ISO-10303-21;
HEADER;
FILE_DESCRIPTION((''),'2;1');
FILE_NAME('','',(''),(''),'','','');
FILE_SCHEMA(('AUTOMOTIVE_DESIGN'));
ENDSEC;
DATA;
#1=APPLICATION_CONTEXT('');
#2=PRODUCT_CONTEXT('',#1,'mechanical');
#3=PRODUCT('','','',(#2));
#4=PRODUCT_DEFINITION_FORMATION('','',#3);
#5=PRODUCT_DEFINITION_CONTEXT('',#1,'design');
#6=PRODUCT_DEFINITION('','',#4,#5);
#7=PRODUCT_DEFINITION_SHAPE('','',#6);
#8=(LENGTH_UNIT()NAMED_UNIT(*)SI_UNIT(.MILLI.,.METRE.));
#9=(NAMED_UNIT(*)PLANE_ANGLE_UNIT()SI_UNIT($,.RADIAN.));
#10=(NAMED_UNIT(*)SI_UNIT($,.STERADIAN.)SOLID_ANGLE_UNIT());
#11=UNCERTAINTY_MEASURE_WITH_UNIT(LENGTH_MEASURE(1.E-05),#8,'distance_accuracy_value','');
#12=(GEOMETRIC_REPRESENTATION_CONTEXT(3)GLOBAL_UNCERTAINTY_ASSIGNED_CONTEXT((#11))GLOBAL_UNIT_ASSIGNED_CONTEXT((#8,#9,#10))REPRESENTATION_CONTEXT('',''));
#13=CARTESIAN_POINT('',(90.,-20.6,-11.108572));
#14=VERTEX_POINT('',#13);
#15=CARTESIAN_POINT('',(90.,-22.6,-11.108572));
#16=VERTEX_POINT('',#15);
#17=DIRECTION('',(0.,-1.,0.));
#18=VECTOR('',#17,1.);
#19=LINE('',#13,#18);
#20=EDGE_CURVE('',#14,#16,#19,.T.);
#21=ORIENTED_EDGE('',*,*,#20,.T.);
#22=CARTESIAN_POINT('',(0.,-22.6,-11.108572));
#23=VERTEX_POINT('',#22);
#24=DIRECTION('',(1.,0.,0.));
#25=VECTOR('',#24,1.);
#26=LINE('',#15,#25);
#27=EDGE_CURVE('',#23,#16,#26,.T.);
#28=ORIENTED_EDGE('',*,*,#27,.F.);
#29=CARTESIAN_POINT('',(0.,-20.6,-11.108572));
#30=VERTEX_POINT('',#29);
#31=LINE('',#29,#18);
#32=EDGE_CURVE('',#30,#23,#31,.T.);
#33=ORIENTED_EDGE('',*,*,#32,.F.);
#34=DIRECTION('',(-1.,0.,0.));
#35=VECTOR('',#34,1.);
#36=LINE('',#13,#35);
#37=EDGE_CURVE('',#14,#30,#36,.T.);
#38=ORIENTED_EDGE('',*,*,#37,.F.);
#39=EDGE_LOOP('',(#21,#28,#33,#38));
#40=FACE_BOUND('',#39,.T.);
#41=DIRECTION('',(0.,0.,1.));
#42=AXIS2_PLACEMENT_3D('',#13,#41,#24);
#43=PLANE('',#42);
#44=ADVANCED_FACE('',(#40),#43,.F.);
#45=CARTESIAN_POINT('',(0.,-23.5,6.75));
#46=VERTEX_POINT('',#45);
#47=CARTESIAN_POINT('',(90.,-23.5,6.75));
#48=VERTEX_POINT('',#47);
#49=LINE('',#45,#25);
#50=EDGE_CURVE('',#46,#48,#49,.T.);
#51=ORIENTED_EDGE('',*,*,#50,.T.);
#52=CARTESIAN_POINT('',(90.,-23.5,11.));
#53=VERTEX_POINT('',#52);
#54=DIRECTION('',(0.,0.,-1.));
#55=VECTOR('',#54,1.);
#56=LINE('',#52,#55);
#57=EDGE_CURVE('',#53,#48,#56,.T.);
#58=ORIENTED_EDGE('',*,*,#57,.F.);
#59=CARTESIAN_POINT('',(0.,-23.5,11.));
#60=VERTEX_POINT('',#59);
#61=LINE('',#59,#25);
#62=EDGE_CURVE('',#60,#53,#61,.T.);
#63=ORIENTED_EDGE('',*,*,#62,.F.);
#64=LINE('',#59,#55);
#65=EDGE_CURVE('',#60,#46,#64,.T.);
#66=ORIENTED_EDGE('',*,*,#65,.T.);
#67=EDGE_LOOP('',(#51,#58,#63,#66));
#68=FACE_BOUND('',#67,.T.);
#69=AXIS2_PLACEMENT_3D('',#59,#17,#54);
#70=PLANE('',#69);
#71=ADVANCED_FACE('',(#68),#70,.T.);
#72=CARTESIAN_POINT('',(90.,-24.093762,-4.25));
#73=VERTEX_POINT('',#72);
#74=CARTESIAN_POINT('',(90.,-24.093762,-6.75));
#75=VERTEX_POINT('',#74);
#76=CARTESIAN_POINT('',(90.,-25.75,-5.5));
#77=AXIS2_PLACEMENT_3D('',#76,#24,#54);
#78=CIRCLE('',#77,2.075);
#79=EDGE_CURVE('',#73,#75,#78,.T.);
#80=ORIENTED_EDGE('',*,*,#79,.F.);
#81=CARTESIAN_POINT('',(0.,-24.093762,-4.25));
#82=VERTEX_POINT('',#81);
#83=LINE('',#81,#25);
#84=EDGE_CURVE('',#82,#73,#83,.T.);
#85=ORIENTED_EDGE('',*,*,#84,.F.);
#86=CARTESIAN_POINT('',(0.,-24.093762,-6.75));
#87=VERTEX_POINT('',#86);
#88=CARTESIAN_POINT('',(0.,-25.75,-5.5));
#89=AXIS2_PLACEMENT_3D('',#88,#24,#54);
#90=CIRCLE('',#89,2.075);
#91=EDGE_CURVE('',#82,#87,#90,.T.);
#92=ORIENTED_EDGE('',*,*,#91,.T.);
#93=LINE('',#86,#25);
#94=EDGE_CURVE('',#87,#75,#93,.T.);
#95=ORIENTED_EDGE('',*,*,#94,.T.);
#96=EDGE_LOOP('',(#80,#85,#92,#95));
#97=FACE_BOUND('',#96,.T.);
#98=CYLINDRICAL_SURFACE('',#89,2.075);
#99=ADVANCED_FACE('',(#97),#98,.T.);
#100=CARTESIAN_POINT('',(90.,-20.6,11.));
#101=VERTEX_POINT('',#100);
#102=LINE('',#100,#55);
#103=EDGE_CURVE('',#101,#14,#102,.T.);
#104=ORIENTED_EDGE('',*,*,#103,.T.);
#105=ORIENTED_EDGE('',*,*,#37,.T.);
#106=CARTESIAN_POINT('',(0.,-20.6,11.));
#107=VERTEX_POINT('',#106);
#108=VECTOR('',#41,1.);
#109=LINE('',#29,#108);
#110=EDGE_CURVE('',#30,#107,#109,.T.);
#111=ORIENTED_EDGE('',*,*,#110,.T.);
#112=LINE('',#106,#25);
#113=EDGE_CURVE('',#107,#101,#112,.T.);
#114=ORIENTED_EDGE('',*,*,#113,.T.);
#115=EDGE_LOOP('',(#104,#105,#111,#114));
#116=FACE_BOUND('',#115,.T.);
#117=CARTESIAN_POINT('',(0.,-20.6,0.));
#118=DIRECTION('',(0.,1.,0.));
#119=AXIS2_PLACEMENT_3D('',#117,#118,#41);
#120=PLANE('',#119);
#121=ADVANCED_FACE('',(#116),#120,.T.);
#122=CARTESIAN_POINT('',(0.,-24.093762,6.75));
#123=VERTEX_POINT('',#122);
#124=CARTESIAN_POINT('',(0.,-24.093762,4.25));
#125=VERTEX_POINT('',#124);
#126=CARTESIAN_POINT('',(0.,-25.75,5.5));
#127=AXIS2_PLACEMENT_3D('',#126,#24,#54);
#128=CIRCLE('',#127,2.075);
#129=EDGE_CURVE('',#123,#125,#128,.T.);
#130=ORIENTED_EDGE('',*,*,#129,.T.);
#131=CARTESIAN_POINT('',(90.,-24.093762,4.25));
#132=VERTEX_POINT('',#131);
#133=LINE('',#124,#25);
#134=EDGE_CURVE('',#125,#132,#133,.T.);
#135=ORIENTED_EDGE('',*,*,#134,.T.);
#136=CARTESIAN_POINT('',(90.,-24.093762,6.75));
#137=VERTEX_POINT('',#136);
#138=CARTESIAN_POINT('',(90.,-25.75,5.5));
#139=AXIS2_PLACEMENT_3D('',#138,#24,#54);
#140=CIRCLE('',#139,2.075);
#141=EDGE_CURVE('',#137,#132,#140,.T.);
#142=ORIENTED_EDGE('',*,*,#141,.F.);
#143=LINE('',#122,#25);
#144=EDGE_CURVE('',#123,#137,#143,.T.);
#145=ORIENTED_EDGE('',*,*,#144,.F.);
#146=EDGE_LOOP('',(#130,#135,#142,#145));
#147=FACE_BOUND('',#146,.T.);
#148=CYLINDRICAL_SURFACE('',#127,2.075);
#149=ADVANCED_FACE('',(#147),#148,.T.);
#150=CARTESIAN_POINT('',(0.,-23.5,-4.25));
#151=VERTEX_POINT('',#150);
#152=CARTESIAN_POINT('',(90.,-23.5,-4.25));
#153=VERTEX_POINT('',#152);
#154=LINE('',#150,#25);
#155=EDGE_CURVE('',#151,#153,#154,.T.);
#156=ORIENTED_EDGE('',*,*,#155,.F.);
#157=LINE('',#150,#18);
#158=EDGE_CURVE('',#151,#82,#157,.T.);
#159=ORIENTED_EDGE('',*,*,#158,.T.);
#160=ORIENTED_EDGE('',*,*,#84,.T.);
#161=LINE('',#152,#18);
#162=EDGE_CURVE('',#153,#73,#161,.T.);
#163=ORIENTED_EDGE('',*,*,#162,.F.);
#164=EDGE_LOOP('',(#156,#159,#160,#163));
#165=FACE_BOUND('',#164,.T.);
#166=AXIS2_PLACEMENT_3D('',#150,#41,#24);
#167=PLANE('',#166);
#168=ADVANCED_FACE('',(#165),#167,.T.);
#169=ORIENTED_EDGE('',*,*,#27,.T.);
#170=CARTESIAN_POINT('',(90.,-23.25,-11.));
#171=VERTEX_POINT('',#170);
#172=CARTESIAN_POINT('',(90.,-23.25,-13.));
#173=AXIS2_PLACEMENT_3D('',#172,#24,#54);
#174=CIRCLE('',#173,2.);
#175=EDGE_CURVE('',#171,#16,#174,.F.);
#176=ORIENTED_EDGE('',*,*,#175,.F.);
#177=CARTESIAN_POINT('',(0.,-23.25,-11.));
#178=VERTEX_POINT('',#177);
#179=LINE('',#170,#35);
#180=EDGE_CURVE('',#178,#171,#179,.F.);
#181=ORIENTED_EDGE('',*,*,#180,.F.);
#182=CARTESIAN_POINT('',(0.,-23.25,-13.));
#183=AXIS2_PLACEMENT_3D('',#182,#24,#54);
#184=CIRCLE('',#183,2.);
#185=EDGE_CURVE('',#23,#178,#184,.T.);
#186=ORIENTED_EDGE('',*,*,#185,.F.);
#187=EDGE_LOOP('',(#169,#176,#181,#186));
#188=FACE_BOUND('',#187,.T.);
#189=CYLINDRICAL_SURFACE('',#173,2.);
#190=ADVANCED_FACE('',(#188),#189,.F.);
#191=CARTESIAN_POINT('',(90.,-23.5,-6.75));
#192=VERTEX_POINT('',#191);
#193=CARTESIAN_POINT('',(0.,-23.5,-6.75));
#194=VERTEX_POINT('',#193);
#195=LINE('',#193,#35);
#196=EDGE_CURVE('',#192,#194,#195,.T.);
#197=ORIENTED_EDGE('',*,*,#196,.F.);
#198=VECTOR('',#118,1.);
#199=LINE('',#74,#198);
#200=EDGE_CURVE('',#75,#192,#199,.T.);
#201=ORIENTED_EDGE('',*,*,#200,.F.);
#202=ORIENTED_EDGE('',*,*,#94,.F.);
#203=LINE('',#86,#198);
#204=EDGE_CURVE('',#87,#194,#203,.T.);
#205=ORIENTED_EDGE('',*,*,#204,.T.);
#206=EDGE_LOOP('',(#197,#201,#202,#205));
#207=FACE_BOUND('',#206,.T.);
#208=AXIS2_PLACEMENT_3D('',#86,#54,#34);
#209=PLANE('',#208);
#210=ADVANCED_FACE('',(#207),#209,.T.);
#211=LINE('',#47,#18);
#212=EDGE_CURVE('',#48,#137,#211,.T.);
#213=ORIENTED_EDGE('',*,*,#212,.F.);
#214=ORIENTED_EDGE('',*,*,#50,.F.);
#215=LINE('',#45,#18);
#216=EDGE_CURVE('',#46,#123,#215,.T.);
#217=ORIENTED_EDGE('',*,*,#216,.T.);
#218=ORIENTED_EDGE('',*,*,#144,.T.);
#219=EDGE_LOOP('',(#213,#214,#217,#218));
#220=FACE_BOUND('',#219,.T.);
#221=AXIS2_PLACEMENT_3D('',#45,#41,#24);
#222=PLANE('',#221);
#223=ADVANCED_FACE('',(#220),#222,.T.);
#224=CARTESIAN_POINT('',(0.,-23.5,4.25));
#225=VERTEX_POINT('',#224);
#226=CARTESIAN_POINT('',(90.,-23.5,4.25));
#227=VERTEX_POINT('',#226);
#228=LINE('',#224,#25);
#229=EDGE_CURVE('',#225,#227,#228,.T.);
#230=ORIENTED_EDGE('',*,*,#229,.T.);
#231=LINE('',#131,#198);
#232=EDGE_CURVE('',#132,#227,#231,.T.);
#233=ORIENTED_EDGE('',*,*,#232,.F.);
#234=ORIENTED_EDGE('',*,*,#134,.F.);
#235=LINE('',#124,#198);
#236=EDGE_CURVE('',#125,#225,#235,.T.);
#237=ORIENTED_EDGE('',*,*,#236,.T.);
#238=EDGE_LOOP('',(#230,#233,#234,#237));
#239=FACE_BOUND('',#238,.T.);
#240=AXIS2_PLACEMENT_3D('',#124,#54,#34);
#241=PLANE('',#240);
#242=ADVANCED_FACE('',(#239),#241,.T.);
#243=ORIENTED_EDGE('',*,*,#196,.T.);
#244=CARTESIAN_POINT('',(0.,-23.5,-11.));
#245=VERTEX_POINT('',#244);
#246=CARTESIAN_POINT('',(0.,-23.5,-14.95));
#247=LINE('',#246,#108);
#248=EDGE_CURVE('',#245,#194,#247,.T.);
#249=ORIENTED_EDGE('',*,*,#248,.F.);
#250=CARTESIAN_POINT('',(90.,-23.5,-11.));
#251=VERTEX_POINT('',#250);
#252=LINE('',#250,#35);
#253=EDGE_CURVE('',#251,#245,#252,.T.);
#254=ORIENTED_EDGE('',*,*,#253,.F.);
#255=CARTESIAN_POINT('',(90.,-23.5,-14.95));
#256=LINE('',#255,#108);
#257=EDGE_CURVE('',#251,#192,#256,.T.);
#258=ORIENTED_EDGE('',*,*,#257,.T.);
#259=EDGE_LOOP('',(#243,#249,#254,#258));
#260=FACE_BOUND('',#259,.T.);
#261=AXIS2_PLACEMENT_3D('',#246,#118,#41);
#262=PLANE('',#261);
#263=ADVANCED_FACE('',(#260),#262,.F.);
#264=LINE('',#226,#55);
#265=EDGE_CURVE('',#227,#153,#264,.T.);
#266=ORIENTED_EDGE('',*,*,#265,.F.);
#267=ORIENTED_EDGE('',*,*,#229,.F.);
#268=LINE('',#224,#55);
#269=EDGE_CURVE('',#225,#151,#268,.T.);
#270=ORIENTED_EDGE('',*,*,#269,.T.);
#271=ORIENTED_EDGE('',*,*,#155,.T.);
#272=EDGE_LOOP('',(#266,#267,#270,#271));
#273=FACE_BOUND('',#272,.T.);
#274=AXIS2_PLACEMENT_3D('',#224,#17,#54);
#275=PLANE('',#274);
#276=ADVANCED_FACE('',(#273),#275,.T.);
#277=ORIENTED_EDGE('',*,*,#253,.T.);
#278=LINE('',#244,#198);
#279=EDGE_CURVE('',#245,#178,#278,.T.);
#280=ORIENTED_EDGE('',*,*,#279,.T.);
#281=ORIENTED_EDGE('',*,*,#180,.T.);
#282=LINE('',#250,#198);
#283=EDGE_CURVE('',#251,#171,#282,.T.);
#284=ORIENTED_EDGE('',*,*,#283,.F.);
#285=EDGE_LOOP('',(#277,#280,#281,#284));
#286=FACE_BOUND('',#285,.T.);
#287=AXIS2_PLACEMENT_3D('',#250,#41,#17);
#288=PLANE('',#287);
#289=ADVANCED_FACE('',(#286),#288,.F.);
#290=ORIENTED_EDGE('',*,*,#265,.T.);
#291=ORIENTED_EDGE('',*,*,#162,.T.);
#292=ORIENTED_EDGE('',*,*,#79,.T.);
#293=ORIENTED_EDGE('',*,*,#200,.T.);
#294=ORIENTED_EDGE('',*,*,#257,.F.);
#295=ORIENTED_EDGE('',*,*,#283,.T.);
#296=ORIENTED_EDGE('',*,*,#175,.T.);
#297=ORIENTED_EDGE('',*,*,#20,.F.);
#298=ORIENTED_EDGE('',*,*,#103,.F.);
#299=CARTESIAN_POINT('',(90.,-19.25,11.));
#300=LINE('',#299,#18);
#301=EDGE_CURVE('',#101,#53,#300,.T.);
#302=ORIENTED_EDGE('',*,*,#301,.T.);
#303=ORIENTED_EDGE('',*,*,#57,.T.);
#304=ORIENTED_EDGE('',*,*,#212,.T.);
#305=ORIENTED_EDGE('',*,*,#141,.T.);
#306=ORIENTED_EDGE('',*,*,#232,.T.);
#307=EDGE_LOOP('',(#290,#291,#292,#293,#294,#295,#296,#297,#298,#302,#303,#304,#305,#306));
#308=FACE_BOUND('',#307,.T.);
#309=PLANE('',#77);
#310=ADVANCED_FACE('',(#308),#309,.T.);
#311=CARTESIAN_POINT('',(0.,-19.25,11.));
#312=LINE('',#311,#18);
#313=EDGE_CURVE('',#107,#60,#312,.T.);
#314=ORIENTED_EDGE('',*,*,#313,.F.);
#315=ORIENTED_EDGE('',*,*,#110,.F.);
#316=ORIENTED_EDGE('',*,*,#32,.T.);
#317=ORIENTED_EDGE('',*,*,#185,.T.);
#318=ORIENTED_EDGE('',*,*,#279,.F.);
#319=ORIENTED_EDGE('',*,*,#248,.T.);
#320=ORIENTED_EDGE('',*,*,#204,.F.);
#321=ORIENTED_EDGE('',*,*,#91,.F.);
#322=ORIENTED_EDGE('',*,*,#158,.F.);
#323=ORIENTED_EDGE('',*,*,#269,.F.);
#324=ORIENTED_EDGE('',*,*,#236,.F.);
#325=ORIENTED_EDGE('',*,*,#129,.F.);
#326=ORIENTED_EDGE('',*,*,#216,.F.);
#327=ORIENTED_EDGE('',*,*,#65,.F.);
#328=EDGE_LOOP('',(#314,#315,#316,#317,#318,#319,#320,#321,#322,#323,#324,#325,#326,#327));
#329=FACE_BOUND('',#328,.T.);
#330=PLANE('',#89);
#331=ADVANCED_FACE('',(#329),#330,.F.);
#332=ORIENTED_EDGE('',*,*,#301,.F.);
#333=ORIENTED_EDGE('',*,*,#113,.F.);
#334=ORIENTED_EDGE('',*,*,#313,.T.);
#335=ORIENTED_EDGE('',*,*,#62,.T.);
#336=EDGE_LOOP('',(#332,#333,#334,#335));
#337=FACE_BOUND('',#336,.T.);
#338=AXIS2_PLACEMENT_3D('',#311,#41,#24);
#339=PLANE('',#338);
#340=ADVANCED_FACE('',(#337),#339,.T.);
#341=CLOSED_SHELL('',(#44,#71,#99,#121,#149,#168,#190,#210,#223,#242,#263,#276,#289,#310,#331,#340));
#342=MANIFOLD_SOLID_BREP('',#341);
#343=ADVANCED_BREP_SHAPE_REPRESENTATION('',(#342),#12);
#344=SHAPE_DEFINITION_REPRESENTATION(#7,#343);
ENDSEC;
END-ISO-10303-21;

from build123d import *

# Parameters (mm, degrees)
EXTRUDE_1_DEPTH             = 90
SKETCH_2_W                  = 90
SKETCH_2_H                  = 17.75
EXTRUDE_2_DEPTH             = 8.2
SKETCH_3_W                  = 90
SKETCH_3_H                  = 50.95
EXTRUDE_3_DEPTH             = 8.2
SKETCH_4_W                  = 3.95
SKETCH_4_H                  = 29.5
CUT_EXTRUDE_1_DEPTH         = 96.44153315
SKETCH_5_W                  = 3.95
SKETCH_5_H                  = 6.2
CUT_EXTRUDE_2_DEPTH         = 96.44153315
SKETCH_6_W                  = 2.25
SKETCH_6_H                  = 3.95
CUT_EXTRUDE_3_DEPTH         = 96.44153315
SKETCH_7_W                  = 4.5
SKETCH_7_H                  = 3.95
CUT_EXTRUDE_4_DEPTH         = 96.44153315
SKETCH_8_W                  = 2.25
SKETCH_8_H                  = 3.95
CUT_EXTRUDE_5_DEPTH         = 96.44153315
SKETCH_9_W                  = 3.95
SKETCH_9_H                  = 2.25
CUT_EXTRUDE_6_DEPTH         = 96.44153315
SKETCH_10_W                 = 20.2
SKETCH_10_H                 = 45.2
CUT_EXTRUDE_7_DEPTH         = 86
HOLE_WIZARD_2_5_2_5_1_D     = 2.5
HOLE_WIZARD_4_5_4_5_1_D     = 4.5
HOLE_WIZARD_8_3_8_3_1_D     = 8.3
HOLE_WIZARD_8_3_8_3_1_DEPTH = 3.2
FILLET_1_R                  = 2
FILLET_2_R                  = 2
EXTRUDE_START               = -90
SKETCH_17_R                 = 1.25
EXTRUDE_4_DEPTH             = 90
CUT_EXTRUDE_START           = -100
SKETCH_18_R                 = 4.15
CUT_EXTRUDE_8_DEPTH         = 100
CUT_EXTRUDE_9_DEPTH         = 106
SKETCH_20_W                 = 90
SKETCH_20_H                 = 22.108571968
EXTRUDE_5_DEPTH             = 2


with BuildPart() as part:
    # Эскиз1 → Бобышка-Вытянуть1 (new body)
    with BuildSketch(Plane(origin=(90, 0, 0), x_dir=(0, 0, -1), z_dir=(1, 0, 0))):
        with BuildLine():
            Line((6.75, -24.093761792), (6.75, 19.25))
            Line((6.75, 19.25), (-11.593761792, 19.25))
            ThreePointArc((-11.593761792, 19.25), (-15.325, 18), (-11.593761792, 16.75))
            Line((-11.593761792, 16.75), (-11, 16.75))
            Line((-11, 16.75), (-11, -16.75))
            Line((-11, -16.75), (-11.593761792, -16.75))
            ThreePointArc((-11.593761792, -16.75), (-15.325, -18), (-11.593761792, -19.25))
            Line((-11.593761792, -19.25), (-11, -19.25))
            Line((-11, -19.25), (-11, -23.5))
            Line((-11, -23.5), (-6.75, -23.5))
            Line((-6.75, -23.5), (-6.75, -24.093761792))
            ThreePointArc((-6.75, -24.093761792), (-5.5, -27.825), (-4.25, -24.093761792))
            Line((-4.25, -24.093761792), (-4.25, -23.5))
            Line((-4.25, -23.5), (4.25, -23.5))
            Line((4.25, -23.5), (4.25, -24.093761792))
            ThreePointArc((4.25, -24.093761792), (5.5, -27.825), (6.75, -24.093761792))
        make_face()
    extrude(amount=-EXTRUDE_1_DEPTH)

    # Эскиз2 → Бобышка-Вытянуть2 (add)
    with BuildSketch(Plane(origin=(0, 19.25, 0), x_dir=(-1, 0, 0), z_dir=(0, 1, 0))):
        with Locations((-45, 2.125)):
            Rectangle(SKETCH_2_W, SKETCH_2_H)
    extrude(amount=EXTRUDE_2_DEPTH)

    # Эскиз3 → Бобышка-Вытянуть3 (add)
    with BuildSketch(Plane(origin=(0, 0, -6.75), x_dir=(-1, 0, 0), z_dir=(0, 0, -1))):
        with Locations((-45, 1.975)):
            Rectangle(SKETCH_3_W, SKETCH_3_H)
    extrude(amount=EXTRUDE_3_DEPTH)

    # Эскиз4 → Вырез-Вытянуть1 (cut, through all)
    with BuildSketch(Plane.ZY):
        with Locations((-12.975, 0)):
            Rectangle(SKETCH_4_W, SKETCH_4_H)
    extrude(amount=-CUT_EXTRUDE_1_DEPTH, mode=Mode.SUBTRACT)

    # Эскиз5 → Вырез-Вытянуть2 (cut, through all)
    with BuildSketch(Plane.ZY):
        with Locations((-12.975, 24.35)):
            Rectangle(SKETCH_5_W, SKETCH_5_H)
    extrude(amount=-CUT_EXTRUDE_2_DEPTH, mode=Mode.SUBTRACT)

    # Эскиз6 → Вырез-Вытянуть3 (cut, through all)
    with BuildSketch(Plane.ZY):
        with Locations((-9.875, 25.475)):
            Rectangle(SKETCH_6_W, SKETCH_6_H)
    extrude(amount=-CUT_EXTRUDE_3_DEPTH, mode=Mode.SUBTRACT)

    # Эскиз7 → Вырез-Вытянуть4 (cut, through all)
    with BuildSketch(Plane.ZY):
        with Locations((0, 25.475)):
            Rectangle(SKETCH_7_W, SKETCH_7_H)
    extrude(amount=-CUT_EXTRUDE_4_DEPTH, mode=Mode.SUBTRACT)

    # Эскиз8 → Вырез-Вытянуть5 (cut, through all)
    with BuildSketch(Plane.ZY):
        with Locations((9.875, 25.475)):
            Rectangle(SKETCH_8_W, SKETCH_8_H)
    extrude(amount=-CUT_EXTRUDE_5_DEPTH, mode=Mode.SUBTRACT)

    # Эскиз9 → Вырез-Вытянуть6 (cut, through all)
    with BuildSketch(Plane.ZY):
        with Locations((-12.975, -22.375)):
            Rectangle(SKETCH_9_W, SKETCH_9_H)
    extrude(amount=-CUT_EXTRUDE_6_DEPTH, mode=Mode.SUBTRACT)

    # Эскиз10 → Вырез-Вытянуть7 (cut)
    with BuildSketch(Plane(origin=(90, 0, 0), x_dir=(0, 0, -1), z_dir=(1, 0, 0))):
        Rectangle(SKETCH_10_W, SKETCH_10_H)
    extrude(amount=-CUT_EXTRUDE_7_DEPTH, mode=Mode.SUBTRACT)

    # Диаметр отверстия Ø2.5 (2.5)1 (through all)
    with Locations(Plane(origin=(90, 0, 0), x_dir=(0, 0, -1), z_dir=(1, 0, 0))):
        with Locations((5.5, -25.75), (-13.25, -18), (-5.5, -25.75), (-13.25, 18)):
            Hole(HOLE_WIZARD_2_5_2_5_1_D / 2)

    # Диаметр отверстия Ø4.5 (4.5)1 (through all)
    with Locations(Plane.ZY):
        with Locations((-13.25, -18), (-13.25, 18), (-5.5, 25.75), (5.5, 25.75)):
            Hole(HOLE_WIZARD_4_5_4_5_1_D / 2)

    # Диаметр отверстия Ø8.3 (8.3)1
    with Locations(Plane.ZY):
        with Locations((0, 0)):
            Hole(HOLE_WIZARD_8_3_8_3_1_D / 2, depth=HOLE_WIZARD_8_3_8_3_1_DEPTH)

    # Скругление1
    fillet_1_edges = [part.edges().sort_by_distance(p)[0] for p in [
        (45, 23.5, 8.75),
    ]]
    fillet(fillet_1_edges, radius=FILLET_1_R)

    # Скругление2
    fillet_2_edges = [part.edges().sort_by_distance(p)[0] for p in [
        (45, 23.5, -8.75),
        (45, 23.5, 2.25),
        (45, 23.5, -2.25),
        (45, -21.25, -11),
        (4, 0, -10.1),
        (4, -22.6, 0),
        (4, 0, 10.1),
        (4, 22.6, 0),
        (45, 14.75, -11),
        (45, -14.75, -11),
        (45, 21.25, -11),
    ]]
    fillet(fillet_2_edges, radius=FILLET_2_R)

    # Эскиз17 → Бобышка-Вытянуть4 (add)
    with BuildSketch(Plane(origin=(90, 0, 0), x_dir=(0, 0, -1), z_dir=(1, 0, 0)).offset(EXTRUDE_START)):
        with Locations((5.5, -25.75)):
            Circle(SKETCH_17_R)
        with Locations((-5.5, -25.75)):
            Circle(SKETCH_17_R)
        with Locations((-13.25, -18)):
            Circle(SKETCH_17_R)
        with Locations((-13.25, 18)):
            Circle(SKETCH_17_R)
    extrude(amount=EXTRUDE_4_DEPTH)

    # Эскиз18 → Вырез-Вытянуть8 (cut)
    with BuildSketch(Plane.ZY.offset(CUT_EXTRUDE_START)):
        Circle(SKETCH_18_R)
    extrude(amount=CUT_EXTRUDE_8_DEPTH, mode=Mode.SUBTRACT)

    # Эскиз19 → Вырез-Вытянуть9 (cut)
    with BuildSketch(Plane(origin=(90, 0, 0), x_dir=(0, 0, -1), z_dir=(1, 0, 0))):
        Polygon((10.1, -22.6), (-10.1, -22.6), (-27.028488592, -22.6), (-27.028488592, 40.291612525), (29.6277603, 40.291612525), (29.6277603, -22.6), align=None)
    extrude(amount=-CUT_EXTRUDE_9_DEPTH, mode=Mode.SUBTRACT)

    # Эскиз20 → Бобышка-Вытянуть5 (add)
    with BuildSketch(Plane(origin=(0, -22.6, 0), x_dir=(1, 0, 0), z_dir=(0, 1, 0))):
        with Locations((45, 0.054285984)):
            Rectangle(SKETCH_20_W, SKETCH_20_H)
    extrude(amount=EXTRUDE_5_DEPTH)


solid = part.part
